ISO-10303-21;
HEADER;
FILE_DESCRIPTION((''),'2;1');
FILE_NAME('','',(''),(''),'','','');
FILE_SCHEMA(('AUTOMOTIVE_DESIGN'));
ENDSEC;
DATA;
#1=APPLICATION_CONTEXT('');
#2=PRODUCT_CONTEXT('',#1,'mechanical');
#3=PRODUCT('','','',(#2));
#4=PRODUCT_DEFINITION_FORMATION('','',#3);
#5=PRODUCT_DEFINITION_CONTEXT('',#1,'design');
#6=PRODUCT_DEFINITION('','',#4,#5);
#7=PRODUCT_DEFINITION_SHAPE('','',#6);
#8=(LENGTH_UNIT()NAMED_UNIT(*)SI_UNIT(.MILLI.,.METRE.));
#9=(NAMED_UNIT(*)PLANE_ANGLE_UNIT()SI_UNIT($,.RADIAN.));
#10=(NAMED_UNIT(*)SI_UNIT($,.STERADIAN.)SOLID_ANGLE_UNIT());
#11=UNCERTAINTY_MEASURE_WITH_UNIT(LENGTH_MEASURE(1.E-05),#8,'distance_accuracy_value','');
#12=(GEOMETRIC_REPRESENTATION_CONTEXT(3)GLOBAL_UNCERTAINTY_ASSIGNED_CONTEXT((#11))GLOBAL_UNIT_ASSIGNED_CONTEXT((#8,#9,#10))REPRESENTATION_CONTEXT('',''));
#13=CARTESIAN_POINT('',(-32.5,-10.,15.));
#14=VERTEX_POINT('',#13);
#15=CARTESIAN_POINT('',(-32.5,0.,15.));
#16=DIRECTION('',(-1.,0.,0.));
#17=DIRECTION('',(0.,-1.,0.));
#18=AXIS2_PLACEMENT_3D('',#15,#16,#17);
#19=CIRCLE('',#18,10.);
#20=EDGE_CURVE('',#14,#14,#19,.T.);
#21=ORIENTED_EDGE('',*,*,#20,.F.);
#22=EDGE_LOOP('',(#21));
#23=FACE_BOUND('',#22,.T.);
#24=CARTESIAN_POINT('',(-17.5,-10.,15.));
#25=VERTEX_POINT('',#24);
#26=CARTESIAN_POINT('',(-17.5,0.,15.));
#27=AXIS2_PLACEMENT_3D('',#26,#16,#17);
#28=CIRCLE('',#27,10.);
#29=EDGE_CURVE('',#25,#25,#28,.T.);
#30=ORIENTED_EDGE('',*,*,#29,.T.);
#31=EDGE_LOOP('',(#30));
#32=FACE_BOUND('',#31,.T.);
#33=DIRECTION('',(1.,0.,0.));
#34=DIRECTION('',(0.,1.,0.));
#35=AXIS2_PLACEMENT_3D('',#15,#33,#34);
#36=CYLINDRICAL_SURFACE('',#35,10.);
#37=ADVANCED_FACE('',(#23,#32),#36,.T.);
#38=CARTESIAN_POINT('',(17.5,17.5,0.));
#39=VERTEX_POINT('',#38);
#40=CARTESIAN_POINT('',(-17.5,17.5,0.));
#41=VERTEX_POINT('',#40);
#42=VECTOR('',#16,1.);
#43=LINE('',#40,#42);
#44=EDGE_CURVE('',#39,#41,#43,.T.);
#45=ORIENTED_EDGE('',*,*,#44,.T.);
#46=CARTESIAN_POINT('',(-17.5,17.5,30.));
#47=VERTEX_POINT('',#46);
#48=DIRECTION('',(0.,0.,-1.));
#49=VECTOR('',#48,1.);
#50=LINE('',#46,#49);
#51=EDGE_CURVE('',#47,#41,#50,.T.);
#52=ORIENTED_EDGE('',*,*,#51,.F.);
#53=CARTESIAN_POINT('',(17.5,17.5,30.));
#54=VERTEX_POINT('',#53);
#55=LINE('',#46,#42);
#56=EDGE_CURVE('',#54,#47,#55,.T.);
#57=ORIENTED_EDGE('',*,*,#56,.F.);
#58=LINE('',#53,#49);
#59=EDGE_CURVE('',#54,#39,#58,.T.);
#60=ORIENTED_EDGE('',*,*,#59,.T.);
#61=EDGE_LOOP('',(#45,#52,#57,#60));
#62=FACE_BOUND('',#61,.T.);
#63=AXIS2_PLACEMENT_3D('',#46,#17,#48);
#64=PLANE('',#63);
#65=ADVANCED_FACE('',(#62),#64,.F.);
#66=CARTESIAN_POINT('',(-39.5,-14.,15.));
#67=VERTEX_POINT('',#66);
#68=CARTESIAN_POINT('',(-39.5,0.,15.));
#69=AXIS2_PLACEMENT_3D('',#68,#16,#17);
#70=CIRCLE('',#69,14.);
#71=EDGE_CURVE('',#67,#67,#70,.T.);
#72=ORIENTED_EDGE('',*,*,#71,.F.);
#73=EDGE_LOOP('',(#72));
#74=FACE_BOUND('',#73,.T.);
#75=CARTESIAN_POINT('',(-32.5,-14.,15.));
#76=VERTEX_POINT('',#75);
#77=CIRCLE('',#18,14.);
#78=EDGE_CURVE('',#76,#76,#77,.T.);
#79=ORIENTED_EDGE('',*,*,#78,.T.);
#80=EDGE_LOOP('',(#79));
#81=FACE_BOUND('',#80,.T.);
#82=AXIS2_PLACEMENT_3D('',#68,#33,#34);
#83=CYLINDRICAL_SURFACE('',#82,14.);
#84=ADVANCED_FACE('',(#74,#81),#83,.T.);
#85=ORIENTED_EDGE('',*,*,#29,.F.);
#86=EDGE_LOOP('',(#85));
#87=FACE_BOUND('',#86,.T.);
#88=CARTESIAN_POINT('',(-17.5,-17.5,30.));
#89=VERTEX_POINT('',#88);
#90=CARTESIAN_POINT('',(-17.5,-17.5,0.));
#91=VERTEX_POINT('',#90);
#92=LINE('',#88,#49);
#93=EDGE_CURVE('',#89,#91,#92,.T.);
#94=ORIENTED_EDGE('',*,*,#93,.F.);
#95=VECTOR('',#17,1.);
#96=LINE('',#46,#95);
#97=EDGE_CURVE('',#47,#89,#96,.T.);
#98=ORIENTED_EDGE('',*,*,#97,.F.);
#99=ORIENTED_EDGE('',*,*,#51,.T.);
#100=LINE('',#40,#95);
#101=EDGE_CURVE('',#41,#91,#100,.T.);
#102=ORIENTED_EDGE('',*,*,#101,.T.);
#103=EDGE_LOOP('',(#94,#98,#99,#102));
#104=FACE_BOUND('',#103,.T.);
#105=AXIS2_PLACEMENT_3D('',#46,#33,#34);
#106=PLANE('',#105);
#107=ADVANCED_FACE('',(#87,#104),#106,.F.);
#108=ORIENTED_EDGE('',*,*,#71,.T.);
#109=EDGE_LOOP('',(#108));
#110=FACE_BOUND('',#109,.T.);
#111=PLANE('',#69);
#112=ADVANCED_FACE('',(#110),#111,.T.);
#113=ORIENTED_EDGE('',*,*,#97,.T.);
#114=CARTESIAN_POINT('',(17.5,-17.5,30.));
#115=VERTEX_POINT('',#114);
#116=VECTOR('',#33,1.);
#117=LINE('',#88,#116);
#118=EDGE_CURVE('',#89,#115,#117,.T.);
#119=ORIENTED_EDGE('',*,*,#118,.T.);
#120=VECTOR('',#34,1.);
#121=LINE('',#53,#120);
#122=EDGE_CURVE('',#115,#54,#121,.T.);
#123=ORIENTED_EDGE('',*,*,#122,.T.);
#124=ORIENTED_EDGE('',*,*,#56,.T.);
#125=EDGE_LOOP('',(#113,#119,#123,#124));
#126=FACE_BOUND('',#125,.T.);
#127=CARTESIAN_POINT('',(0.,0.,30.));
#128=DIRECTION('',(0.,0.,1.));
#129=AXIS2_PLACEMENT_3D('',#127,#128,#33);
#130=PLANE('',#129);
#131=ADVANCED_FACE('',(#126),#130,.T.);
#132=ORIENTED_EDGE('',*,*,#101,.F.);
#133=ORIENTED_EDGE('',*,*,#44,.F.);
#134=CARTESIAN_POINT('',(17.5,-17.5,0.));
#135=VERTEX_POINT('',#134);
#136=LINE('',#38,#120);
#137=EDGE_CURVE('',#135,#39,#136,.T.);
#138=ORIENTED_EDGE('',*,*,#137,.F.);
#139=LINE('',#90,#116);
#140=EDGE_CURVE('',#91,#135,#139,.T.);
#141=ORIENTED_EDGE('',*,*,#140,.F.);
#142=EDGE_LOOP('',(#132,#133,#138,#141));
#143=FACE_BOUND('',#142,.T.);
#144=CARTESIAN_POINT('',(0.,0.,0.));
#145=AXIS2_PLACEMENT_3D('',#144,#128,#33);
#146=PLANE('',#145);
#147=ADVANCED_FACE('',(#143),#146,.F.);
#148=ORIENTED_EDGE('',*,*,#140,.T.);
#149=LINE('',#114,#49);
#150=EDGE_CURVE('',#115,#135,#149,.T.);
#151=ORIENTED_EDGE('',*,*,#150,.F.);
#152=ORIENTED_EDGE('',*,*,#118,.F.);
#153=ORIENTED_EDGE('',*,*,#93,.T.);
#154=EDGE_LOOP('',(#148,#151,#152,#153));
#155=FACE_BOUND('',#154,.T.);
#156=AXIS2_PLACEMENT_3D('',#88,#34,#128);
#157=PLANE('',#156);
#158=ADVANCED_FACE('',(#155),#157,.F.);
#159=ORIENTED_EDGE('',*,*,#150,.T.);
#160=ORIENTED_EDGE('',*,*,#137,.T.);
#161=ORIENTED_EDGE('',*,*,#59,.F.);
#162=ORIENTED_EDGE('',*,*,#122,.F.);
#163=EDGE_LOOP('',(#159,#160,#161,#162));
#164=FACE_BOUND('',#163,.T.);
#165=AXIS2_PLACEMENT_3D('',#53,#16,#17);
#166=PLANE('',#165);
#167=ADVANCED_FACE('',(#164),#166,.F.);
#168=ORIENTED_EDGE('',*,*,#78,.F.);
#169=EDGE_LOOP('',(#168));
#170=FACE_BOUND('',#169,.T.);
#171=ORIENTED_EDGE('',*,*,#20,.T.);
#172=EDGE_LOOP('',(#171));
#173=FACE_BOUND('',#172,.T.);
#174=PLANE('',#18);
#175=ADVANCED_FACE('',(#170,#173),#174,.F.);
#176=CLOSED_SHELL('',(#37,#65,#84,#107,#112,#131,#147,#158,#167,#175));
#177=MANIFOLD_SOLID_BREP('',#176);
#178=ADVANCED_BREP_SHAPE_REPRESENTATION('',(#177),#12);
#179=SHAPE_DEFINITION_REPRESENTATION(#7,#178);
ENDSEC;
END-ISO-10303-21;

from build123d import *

# Parameters (mm, degrees)
SKETCH1_W           = 35
SKETCH1_H           = 35
BOSS_EXTRUDE1_DEPTH = 30
SKETCH2_R           = 10
BOSS_EXTRUDE2_DEPTH = 15
SKETCH3_R           = 14
BOSS_EXTRUDE3_DEPTH = 7


with BuildPart() as part:
    # Sketch1 → Boss-Extrude1 (new body)
    with BuildSketch(Plane.XY):
        Rectangle(SKETCH1_W, SKETCH1_H)
    extrude(amount=BOSS_EXTRUDE1_DEPTH)

    # Sketch2 → Boss-Extrude2 (add)
    with BuildSketch(Plane.ZY.offset(17.5)):
        with Locations((15, 0)):
            Circle(SKETCH2_R)
    extrude(amount=BOSS_EXTRUDE2_DEPTH)

    # Sketch3 → Boss-Extrude3 (add)
    with BuildSketch(Plane.ZY.offset(32.5)):
        with Locations((15, 0)):
            Circle(SKETCH3_R)
    extrude(amount=BOSS_EXTRUDE3_DEPTH)


solid = part.part
